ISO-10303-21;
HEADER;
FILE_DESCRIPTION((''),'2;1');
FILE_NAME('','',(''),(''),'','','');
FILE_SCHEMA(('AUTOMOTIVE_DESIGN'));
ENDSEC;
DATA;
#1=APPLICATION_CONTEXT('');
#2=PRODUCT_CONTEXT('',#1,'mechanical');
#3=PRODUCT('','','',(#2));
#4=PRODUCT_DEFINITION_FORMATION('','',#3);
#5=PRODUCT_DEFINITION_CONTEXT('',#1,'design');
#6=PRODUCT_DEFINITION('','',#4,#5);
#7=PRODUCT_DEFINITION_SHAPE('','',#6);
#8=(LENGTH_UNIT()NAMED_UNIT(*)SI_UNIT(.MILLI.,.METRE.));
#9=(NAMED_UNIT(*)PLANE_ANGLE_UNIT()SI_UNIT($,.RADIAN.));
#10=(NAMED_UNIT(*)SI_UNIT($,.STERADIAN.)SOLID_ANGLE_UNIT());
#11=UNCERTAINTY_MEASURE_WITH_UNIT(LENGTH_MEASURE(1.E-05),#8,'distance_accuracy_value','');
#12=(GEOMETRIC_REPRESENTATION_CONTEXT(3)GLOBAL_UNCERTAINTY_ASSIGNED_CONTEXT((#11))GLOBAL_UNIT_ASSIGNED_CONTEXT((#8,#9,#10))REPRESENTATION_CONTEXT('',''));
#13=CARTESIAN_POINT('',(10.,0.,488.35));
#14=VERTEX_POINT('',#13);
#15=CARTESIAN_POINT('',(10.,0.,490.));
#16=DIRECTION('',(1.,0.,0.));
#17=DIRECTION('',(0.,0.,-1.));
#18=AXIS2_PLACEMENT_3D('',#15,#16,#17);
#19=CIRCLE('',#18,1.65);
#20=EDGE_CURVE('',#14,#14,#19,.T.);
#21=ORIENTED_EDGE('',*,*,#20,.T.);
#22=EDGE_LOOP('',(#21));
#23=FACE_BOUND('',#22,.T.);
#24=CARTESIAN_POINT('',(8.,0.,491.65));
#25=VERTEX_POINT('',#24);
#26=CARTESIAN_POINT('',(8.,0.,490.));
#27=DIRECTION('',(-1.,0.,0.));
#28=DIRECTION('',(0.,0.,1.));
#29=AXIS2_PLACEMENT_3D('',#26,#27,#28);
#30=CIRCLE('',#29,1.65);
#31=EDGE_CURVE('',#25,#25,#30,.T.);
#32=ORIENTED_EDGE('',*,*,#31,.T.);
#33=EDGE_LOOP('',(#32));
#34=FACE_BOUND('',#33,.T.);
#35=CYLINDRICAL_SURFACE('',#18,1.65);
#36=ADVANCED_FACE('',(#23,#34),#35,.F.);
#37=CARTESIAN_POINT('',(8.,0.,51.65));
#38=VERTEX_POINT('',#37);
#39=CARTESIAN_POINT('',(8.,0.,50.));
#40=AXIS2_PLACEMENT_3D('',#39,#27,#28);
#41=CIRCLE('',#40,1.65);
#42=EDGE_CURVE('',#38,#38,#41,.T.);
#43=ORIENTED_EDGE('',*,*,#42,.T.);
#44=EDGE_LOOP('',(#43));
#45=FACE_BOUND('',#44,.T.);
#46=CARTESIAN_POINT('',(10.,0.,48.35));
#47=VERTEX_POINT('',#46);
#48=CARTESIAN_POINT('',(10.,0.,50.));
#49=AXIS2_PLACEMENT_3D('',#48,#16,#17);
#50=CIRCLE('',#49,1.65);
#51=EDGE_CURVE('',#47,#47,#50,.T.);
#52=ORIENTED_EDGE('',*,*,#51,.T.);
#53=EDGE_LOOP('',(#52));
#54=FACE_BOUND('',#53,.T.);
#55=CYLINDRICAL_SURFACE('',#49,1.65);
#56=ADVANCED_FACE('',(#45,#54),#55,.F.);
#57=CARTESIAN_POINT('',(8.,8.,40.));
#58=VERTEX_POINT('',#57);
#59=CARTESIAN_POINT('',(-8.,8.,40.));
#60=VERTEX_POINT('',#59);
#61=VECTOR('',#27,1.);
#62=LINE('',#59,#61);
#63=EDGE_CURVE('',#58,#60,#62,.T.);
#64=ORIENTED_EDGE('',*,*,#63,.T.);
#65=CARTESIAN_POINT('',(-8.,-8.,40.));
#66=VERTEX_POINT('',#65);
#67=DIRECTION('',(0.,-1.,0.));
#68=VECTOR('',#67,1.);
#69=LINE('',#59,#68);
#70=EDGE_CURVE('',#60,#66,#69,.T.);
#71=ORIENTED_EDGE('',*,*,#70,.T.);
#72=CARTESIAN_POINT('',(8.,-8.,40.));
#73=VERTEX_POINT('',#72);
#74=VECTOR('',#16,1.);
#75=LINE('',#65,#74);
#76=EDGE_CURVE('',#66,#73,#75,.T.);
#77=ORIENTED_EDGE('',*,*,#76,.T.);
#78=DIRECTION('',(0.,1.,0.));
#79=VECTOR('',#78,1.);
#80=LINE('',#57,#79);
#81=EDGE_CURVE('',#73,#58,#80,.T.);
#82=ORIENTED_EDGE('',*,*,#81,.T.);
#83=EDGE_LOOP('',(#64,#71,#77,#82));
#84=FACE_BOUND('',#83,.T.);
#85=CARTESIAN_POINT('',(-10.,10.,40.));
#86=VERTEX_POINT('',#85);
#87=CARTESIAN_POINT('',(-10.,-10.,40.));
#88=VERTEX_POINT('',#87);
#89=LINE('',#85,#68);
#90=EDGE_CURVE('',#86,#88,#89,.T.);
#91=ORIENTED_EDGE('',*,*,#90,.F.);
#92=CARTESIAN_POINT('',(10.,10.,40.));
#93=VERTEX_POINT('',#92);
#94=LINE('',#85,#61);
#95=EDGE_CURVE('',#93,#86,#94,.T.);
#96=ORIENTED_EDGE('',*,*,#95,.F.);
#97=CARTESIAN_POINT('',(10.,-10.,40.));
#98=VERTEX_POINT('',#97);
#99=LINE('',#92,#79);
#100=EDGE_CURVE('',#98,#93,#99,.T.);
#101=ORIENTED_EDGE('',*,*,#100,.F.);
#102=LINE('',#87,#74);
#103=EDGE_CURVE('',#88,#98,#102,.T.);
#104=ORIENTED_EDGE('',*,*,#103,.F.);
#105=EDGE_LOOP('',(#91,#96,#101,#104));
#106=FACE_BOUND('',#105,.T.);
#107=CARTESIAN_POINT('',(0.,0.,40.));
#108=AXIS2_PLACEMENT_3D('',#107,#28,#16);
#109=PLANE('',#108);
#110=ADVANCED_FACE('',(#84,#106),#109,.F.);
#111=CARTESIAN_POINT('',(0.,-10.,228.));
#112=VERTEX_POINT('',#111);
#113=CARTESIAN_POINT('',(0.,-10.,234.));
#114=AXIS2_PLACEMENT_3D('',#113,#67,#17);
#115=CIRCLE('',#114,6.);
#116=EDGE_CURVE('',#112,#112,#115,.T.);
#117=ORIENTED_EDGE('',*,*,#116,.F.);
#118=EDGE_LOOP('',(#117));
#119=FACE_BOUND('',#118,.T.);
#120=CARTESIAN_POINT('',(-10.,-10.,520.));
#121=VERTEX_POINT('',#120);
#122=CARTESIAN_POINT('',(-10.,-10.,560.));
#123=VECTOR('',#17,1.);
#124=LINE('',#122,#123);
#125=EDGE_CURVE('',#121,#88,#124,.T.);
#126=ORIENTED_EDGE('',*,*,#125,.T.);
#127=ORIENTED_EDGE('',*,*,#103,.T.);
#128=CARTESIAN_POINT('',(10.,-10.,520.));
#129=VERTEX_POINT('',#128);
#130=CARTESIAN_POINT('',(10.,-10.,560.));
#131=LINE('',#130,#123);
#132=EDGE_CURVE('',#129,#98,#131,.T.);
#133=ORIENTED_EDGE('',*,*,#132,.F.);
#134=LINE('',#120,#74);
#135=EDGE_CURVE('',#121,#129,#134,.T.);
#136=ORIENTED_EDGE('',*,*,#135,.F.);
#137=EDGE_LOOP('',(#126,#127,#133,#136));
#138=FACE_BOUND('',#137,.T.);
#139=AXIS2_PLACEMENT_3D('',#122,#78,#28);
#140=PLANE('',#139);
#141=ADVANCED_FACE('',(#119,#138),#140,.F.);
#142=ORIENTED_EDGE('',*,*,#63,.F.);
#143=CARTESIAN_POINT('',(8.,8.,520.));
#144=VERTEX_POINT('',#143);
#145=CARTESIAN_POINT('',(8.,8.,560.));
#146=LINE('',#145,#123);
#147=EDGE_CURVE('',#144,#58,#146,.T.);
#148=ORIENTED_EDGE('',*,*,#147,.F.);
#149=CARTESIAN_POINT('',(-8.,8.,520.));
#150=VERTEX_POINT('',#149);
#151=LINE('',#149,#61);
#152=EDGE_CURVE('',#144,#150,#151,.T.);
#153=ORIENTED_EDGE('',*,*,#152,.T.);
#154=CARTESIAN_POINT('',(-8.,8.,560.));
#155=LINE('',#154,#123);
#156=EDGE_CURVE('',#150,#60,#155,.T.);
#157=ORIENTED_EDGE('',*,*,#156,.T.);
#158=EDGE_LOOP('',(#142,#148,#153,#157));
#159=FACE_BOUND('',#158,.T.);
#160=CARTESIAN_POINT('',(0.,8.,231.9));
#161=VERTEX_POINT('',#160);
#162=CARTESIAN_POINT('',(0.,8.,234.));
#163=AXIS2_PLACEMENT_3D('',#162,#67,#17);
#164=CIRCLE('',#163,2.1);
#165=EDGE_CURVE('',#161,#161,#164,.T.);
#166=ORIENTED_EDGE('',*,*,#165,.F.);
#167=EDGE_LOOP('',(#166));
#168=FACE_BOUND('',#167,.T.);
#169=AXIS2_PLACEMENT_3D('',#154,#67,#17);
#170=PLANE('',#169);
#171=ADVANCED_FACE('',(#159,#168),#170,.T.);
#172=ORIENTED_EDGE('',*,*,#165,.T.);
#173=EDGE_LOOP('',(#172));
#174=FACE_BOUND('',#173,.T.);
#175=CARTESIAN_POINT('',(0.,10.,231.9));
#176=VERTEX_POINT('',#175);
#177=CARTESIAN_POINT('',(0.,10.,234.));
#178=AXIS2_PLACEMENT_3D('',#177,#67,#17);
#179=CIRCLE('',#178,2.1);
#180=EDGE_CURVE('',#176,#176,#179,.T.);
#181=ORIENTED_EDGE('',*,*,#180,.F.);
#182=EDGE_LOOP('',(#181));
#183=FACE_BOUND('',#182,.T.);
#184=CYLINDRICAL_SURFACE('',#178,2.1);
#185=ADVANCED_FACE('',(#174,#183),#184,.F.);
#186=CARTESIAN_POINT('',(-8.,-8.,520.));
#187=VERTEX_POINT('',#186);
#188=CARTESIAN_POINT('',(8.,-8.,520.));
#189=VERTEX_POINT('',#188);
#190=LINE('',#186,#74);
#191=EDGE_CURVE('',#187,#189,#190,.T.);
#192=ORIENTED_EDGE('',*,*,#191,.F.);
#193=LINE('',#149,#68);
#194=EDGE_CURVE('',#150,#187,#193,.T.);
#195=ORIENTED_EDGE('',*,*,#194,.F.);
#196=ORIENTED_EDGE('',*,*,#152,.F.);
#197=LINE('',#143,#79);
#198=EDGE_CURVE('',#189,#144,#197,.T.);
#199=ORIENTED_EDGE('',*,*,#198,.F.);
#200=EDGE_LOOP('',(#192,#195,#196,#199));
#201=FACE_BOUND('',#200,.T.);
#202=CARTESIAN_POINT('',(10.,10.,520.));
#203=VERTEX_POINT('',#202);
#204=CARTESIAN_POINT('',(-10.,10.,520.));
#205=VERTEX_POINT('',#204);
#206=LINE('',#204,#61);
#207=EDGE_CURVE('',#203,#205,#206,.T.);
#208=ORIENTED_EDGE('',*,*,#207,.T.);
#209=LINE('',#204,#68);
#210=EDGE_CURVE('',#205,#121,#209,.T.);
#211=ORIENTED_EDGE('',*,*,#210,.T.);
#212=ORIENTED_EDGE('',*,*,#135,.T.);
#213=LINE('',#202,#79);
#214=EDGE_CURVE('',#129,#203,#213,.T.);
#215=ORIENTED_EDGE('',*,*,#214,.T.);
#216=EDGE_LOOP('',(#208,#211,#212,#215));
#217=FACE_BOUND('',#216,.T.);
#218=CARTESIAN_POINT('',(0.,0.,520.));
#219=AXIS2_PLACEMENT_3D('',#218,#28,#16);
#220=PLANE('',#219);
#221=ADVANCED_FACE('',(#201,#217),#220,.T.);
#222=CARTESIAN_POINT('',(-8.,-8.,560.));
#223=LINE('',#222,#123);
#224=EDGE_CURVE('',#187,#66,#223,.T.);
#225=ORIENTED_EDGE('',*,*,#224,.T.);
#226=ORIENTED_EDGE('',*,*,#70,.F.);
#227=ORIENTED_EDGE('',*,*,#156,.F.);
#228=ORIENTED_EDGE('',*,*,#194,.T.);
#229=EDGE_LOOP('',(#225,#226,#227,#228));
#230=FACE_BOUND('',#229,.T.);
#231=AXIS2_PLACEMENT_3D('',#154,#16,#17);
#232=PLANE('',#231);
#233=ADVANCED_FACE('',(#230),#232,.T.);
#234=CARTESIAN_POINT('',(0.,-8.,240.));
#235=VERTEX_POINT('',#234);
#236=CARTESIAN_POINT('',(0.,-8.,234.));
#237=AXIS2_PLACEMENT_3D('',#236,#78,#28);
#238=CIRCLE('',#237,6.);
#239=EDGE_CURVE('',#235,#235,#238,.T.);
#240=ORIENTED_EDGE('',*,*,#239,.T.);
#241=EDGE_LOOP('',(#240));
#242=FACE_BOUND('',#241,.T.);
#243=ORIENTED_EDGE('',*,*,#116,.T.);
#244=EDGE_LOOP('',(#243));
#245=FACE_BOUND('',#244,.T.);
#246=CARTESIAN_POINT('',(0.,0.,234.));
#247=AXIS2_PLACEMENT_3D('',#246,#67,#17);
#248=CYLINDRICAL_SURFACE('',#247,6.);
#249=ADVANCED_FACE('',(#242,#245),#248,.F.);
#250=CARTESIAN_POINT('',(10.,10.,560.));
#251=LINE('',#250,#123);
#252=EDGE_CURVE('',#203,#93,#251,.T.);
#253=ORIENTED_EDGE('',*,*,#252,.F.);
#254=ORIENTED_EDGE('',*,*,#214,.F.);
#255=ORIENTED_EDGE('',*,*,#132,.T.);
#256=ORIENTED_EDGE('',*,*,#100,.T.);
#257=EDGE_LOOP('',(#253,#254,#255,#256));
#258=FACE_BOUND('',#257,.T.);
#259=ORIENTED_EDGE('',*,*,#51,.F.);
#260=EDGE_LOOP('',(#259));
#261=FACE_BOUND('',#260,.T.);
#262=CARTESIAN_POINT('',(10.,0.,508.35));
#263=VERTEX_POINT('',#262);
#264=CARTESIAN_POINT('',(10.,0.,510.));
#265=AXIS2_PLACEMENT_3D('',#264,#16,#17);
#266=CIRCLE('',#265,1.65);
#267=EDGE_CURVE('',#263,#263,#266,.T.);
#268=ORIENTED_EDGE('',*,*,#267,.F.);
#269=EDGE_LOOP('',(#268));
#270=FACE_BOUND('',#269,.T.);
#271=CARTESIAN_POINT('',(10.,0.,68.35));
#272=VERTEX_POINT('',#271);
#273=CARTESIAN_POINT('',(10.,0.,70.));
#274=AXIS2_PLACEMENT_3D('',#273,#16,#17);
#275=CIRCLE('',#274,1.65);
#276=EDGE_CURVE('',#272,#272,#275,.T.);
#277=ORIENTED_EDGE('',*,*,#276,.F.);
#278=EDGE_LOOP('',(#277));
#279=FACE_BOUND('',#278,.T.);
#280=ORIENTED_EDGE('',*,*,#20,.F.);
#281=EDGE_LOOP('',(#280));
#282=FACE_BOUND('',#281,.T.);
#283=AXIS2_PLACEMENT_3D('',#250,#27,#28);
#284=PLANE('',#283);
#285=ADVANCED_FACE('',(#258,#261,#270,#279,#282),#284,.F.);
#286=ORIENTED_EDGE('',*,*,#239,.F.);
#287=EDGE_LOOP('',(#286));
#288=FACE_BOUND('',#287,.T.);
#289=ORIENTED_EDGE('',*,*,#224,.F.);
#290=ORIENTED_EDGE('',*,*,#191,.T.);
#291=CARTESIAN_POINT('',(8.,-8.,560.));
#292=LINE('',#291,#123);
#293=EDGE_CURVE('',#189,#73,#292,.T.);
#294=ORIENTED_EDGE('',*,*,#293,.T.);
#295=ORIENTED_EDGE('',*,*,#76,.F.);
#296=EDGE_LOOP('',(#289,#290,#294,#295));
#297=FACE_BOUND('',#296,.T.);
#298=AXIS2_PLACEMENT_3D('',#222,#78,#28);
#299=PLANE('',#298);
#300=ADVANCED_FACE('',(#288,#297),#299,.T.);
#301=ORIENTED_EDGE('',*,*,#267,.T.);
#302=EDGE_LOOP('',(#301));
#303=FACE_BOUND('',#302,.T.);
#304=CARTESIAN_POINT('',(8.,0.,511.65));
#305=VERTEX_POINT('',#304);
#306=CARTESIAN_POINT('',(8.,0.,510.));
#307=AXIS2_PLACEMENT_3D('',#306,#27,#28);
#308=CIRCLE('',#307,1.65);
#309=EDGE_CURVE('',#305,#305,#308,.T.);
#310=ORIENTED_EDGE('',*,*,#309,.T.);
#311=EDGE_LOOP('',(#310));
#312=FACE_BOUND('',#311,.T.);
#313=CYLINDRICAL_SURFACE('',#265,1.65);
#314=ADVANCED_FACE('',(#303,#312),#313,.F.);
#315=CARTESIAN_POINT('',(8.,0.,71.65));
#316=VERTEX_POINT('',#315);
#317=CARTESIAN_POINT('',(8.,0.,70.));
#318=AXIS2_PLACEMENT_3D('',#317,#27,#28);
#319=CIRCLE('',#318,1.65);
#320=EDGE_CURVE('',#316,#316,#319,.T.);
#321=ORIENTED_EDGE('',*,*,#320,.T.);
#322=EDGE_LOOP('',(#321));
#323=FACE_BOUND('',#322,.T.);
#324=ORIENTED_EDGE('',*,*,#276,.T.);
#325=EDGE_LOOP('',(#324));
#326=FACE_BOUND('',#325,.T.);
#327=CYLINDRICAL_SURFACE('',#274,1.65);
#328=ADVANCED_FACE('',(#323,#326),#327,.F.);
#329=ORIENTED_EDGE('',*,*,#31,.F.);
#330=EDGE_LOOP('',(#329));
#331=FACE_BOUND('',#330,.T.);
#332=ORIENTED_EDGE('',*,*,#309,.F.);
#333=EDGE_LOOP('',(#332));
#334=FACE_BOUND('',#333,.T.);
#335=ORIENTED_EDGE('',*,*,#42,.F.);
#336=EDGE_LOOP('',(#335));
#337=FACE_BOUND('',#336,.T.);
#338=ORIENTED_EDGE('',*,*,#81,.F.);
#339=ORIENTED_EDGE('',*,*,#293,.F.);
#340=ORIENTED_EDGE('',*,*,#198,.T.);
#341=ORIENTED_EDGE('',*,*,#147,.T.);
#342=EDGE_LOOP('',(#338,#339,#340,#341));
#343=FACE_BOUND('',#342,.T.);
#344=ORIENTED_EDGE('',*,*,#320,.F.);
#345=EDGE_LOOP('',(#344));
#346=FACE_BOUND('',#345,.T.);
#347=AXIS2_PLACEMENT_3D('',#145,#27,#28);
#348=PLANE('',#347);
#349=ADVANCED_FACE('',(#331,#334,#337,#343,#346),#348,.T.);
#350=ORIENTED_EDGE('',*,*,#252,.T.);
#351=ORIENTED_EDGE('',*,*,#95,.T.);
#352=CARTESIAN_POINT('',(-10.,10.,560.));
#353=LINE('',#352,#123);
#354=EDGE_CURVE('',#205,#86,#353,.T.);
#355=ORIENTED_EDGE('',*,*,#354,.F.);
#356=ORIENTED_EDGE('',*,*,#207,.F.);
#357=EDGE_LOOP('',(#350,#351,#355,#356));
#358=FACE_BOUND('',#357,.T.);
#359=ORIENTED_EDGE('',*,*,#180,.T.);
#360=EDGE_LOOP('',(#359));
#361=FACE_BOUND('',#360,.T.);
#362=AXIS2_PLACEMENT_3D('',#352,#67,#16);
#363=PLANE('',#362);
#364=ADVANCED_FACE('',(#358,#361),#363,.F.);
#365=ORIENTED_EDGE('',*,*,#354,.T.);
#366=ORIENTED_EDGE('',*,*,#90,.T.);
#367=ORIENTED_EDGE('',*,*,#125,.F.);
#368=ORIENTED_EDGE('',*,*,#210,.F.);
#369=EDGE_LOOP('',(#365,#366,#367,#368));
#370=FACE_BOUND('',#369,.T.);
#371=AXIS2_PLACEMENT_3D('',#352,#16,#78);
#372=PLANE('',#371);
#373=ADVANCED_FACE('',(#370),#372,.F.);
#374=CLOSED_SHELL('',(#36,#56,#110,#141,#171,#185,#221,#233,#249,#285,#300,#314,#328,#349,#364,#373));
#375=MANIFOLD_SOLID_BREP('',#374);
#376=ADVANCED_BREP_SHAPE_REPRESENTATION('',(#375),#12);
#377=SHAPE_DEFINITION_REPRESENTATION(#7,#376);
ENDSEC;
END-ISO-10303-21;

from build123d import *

# Parameters (mm, degrees)
SKETCH_1_W          = 20
SKETCH_1_H          = 20
SKETCH_1_W_2        = 16
SKETCH_1_H_2        = 16
EXTRUDE_1_DEPTH     = 560
SKETCH_3_R          = 2.2
CUT_EXTRUDE_2_DEPTH = 560
SKETCH_4_R          = 2.2
CUT_EXTRUDE_3_DEPTH = 560
SKETCH_5_W          = 35.553041162
SKETCH_5_H          = 54.410354854
CUT_EXTRUDE_4_DEPTH = 40
SKETCH_6_W          = 32.938502486
SKETCH_6_H          = 36.721798984
CUT_EXTRUDE_5_DEPTH = 40
SKETCH_8_R          = 1
CUT_EXTRUDE_7_DEPTH = 10
SKETCH_10_R         = 2.1
CUT_EXTRUDE_8_DEPTH = 21
SKETCH_11_R         = 6
CUT_EXTRUDE_9_DEPTH = 10
M4X0_7_1_D          = 3.3
M4X0_7_1_DEPTH      = 11.5
M4X0_7_1_TIP        = 0.991420021


with BuildPart() as part:
    # ｽｹｯﾁ1 → ﾎﾞｽ - 押し出し1 (new body)
    with BuildSketch(Plane.XY):
        Rectangle(SKETCH_1_W, SKETCH_1_H)
        Rectangle(SKETCH_1_W_2, SKETCH_1_H_2, mode=Mode.SUBTRACT)
    extrude(amount=EXTRUDE_1_DEPTH)

    # ｽｹｯﾁ3 → ｶｯﾄ - 押し出し2 (cut)
    with BuildSketch(Plane(origin=(10, 0, 0), x_dir=(0, 0, -1), z_dir=(1, 0, 0))):
        with Locations((-530, 0)):
            Circle(SKETCH_3_R)
        with Locations((-30, 0)):
            Circle(SKETCH_3_R)
    extrude(amount=-CUT_EXTRUDE_2_DEPTH, mode=Mode.SUBTRACT)

    # ｽｹｯﾁ4 → ｶｯﾄ - 押し出し3 (cut)
    with BuildSketch(Plane(origin=(0, 10, 0), x_dir=(1, 0, 0), z_dir=(0, 1, 0))):
        with Locations((0, -550)):
            Circle(SKETCH_4_R)
        with Locations((0, -10)):
            Circle(SKETCH_4_R)
    extrude(amount=-CUT_EXTRUDE_3_DEPTH, mode=Mode.SUBTRACT)

    # ｽｹｯﾁ5 → ｶｯﾄ - 押し出し4 (cut)
    with BuildSketch(Plane(origin=(0, 0, 0), x_dir=(-1, 0, 0), z_dir=(0, 0, -1))):
        Rectangle(SKETCH_5_W, SKETCH_5_H)
    extrude(amount=-CUT_EXTRUDE_4_DEPTH, mode=Mode.SUBTRACT)

    # ｽｹｯﾁ6 → ｶｯﾄ - 押し出し5 (cut)
    with BuildSketch(Plane.XY.offset(560)):
        Rectangle(SKETCH_6_W, SKETCH_6_H)
    extrude(amount=-CUT_EXTRUDE_5_DEPTH, mode=Mode.SUBTRACT)

    # ｽｹｯﾁ8 → ｶｯﾄ - 押し出し7 (cut)
    with BuildSketch(Plane(origin=(10, 0, 0), x_dir=(0, 0, -1), z_dir=(1, 0, 0))):
        with Locations((-50, 0)):
            Circle(SKETCH_8_R)
        with Locations((-70, 0)):
            Circle(SKETCH_8_R)
        with Locations((-490, 0)):
            Circle(SKETCH_8_R)
        with Locations((-510, 0)):
            Circle(SKETCH_8_R)
    extrude(amount=-CUT_EXTRUDE_7_DEPTH, mode=Mode.SUBTRACT)

    # ｽｹｯﾁ10 → ｶｯﾄ - 押し出し8 (cut, through all)
    with BuildSketch(Plane.XZ.offset(10)):
        with Locations((0, 234)):
            Circle(SKETCH_10_R)
    extrude(amount=-CUT_EXTRUDE_8_DEPTH, mode=Mode.SUBTRACT)

    # ｽｹｯﾁ11 → ｶｯﾄ - 押し出し9 (cut)
    with BuildSketch(Plane.XZ.offset(10)):
        with Locations((0, 234)):
            Circle(SKETCH_11_R)
    extrude(amount=-CUT_EXTRUDE_9_DEPTH, mode=Mode.SUBTRACT)

    # M4x0.7 ねじ穴1
    with Locations(Plane(origin=(10, 0, 50), x_dir=(0, 0, 1), z_dir=(1, 0, 0))):
        with Locations((0, 0), (20, 0), (440, 0), (460, 0)):
            Hole(M4X0_7_1_D / 2, depth=M4X0_7_1_DEPTH)
            with Locations((0, 0, -(M4X0_7_1_DEPTH + M4X0_7_1_TIP / 2))):  # 118° drill point
                Cone(0, M4X0_7_1_D / 2, M4X0_7_1_TIP, mode=Mode.SUBTRACT)


solid = part.part
